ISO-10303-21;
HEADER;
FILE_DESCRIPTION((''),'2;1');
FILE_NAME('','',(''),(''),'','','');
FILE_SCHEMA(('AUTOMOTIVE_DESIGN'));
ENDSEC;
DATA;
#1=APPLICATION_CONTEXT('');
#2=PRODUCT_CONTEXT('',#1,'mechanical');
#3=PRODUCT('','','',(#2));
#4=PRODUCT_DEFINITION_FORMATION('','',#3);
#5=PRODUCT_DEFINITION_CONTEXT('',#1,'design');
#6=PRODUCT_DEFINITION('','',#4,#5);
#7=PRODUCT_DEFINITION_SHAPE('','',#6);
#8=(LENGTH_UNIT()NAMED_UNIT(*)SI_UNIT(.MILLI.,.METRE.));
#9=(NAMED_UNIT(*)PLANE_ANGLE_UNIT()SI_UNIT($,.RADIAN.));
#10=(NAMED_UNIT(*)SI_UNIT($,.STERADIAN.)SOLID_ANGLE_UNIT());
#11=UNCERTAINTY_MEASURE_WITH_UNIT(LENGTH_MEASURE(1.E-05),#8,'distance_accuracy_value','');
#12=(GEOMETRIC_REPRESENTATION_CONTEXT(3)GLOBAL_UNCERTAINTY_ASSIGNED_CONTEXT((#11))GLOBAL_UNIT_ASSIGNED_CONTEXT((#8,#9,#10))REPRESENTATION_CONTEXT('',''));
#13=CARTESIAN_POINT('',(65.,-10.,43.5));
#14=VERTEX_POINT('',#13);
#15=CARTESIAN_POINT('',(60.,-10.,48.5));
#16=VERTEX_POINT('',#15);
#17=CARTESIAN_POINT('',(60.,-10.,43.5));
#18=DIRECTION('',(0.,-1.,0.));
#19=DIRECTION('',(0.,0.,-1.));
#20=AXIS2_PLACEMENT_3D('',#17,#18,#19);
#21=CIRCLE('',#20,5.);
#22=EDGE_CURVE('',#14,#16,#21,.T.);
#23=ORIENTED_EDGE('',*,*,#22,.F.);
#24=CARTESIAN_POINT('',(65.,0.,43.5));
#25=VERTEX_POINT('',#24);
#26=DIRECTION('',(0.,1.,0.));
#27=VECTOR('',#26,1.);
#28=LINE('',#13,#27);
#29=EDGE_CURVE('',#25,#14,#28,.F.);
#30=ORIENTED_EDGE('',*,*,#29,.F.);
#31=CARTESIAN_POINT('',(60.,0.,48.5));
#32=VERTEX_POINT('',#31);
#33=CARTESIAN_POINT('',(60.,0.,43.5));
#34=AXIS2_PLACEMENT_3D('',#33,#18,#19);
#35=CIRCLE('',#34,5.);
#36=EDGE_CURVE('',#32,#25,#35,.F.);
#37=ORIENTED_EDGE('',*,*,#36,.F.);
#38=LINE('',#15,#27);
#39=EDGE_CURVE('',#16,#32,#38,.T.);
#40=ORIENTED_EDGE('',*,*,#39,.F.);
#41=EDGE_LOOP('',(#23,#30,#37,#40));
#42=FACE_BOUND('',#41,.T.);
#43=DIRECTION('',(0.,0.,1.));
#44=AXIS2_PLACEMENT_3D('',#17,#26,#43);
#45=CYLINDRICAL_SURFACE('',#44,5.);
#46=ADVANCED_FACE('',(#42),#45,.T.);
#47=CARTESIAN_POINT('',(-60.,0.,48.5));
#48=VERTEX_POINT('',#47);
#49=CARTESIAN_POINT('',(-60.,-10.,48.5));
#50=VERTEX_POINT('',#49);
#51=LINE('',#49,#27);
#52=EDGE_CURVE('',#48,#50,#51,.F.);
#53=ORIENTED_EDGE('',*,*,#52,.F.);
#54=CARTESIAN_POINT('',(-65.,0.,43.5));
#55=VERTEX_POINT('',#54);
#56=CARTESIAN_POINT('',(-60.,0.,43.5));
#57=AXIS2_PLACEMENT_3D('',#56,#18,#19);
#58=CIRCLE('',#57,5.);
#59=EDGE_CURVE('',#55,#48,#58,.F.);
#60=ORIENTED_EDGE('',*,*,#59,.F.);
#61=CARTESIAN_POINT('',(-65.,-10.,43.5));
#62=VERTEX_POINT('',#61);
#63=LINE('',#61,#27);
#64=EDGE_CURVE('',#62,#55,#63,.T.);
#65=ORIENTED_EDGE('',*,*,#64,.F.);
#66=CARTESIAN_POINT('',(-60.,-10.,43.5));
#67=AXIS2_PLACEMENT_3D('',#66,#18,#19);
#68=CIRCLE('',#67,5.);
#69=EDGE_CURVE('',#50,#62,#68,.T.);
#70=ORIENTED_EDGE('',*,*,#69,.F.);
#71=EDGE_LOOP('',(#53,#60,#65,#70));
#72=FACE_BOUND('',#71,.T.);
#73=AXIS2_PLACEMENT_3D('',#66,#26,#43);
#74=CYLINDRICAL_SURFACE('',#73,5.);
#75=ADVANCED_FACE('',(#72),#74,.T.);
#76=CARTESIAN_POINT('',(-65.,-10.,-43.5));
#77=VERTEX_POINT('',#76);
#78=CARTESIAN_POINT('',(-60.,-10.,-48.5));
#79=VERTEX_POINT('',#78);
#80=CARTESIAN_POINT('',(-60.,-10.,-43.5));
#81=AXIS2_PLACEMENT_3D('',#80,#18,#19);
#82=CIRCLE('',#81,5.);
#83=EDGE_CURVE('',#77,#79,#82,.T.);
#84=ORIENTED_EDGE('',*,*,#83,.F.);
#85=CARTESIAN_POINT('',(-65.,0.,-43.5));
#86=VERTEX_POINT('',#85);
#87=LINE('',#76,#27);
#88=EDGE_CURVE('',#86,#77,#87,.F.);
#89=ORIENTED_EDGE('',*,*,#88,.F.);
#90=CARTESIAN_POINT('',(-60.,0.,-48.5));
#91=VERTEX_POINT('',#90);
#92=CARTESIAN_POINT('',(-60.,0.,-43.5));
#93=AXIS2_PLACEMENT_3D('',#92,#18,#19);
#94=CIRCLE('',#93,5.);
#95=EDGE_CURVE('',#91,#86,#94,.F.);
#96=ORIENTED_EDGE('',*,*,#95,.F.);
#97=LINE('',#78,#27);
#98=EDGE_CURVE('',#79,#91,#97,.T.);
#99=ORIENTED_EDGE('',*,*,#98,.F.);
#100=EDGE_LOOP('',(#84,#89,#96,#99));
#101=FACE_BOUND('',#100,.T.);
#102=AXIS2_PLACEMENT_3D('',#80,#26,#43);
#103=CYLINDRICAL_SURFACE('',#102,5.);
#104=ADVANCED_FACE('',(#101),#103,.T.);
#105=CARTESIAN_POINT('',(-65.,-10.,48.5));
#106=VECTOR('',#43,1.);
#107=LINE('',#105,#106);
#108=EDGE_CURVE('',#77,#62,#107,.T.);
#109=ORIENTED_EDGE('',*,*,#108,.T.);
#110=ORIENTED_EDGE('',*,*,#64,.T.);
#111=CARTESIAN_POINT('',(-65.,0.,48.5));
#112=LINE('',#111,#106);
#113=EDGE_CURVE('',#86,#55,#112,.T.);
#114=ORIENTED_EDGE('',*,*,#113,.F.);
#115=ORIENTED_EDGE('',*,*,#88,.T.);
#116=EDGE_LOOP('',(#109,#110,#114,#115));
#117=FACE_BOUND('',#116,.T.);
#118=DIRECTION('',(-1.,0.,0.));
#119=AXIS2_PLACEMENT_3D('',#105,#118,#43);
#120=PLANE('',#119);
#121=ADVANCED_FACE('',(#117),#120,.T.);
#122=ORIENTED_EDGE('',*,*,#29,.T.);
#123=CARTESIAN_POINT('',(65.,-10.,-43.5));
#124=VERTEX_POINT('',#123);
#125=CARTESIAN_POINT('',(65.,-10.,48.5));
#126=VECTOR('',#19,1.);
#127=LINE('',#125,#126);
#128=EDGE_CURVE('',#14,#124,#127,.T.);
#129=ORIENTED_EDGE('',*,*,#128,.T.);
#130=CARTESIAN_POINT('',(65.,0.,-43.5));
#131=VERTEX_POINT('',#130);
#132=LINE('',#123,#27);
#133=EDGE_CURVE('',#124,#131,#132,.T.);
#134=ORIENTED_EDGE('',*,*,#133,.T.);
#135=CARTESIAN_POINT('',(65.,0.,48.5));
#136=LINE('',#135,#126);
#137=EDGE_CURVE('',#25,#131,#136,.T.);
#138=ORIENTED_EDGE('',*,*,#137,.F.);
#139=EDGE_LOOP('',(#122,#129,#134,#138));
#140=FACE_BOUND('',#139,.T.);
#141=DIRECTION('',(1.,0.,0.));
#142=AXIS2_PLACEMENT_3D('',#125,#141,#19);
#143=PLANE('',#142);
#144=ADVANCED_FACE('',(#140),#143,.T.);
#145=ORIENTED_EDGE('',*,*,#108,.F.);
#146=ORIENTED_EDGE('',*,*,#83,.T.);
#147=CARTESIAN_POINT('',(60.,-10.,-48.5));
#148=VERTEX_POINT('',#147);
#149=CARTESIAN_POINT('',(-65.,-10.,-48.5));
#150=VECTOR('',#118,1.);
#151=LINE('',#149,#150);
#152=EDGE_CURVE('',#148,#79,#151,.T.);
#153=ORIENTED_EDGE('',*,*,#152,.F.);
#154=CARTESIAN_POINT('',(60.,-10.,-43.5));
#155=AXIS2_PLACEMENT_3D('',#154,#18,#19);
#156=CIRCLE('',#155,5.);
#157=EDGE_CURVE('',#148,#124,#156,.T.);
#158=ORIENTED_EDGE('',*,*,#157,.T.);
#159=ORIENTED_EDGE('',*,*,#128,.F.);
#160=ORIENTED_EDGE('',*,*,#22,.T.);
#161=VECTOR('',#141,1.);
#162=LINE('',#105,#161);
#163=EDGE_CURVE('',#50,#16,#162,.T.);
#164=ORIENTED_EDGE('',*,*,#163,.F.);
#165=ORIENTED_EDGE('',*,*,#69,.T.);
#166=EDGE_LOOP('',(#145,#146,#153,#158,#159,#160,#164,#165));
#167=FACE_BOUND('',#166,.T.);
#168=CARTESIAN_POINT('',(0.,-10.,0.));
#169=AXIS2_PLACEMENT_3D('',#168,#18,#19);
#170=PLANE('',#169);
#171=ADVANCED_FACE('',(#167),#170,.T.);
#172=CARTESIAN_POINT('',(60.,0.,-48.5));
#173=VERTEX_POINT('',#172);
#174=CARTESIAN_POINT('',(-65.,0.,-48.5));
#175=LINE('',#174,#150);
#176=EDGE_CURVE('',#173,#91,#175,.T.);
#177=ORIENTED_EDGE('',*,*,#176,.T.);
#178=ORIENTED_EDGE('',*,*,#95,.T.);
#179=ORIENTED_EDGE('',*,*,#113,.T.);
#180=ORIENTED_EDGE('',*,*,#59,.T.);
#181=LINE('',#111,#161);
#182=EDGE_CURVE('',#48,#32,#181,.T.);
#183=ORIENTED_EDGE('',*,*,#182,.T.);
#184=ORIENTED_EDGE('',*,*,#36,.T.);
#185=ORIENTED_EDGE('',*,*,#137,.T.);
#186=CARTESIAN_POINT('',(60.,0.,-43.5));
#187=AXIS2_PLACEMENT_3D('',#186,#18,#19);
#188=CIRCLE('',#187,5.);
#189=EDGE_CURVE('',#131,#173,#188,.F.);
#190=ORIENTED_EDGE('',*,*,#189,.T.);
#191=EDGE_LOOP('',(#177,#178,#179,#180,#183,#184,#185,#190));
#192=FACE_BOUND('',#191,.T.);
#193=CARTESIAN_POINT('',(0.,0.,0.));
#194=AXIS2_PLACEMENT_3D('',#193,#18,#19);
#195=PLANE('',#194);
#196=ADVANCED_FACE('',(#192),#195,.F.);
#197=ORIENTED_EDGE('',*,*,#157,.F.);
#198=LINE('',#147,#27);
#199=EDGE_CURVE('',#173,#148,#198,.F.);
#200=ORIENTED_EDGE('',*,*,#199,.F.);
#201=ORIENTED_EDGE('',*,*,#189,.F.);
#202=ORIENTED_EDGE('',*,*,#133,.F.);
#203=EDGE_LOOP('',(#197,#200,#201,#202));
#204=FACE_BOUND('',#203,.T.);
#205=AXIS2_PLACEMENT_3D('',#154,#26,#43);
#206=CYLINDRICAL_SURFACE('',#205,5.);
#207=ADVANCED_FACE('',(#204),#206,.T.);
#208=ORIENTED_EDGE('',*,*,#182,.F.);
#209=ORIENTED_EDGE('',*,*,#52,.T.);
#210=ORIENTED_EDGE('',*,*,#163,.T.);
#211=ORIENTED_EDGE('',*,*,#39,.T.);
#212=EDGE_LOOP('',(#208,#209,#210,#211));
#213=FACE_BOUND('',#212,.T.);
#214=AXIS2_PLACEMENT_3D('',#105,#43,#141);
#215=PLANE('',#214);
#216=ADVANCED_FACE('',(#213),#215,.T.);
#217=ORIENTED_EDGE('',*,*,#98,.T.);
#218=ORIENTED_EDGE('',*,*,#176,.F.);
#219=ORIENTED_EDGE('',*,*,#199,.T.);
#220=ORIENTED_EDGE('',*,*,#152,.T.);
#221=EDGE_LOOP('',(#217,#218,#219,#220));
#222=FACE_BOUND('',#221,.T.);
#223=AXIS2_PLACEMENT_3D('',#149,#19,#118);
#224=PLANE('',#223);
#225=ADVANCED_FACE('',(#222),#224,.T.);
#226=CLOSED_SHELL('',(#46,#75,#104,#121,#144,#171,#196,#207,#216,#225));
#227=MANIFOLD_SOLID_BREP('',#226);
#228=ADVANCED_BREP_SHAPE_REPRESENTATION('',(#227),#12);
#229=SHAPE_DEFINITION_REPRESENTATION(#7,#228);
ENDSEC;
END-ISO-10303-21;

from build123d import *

# Parameters (mm, degrees)
SKETCH1_W           = 130
SKETCH1_H           = 97
BOSS_EXTRUDE1_DEPTH = 10
FILLET1_R           = 5


with BuildPart() as part:
    # Sketch1 → Boss-Extrude1 (new body)
    with BuildSketch(Plane(origin=(0, 0, 0), x_dir=(1, 0, 0), z_dir=(0, 1, 0))):
        Rectangle(SKETCH1_W, SKETCH1_H)
    extrude(amount=-BOSS_EXTRUDE1_DEPTH)

    # Fillet1
    fillet1_edges = [part.edges().sort_by_distance(p)[0] for p in [
        (65, -5, 48.5),
        (-65, -5, 48.5),
        (-65, -5, -48.5),
        (65, -5, -48.5),
    ]]
    fillet(fillet1_edges, radius=FILLET1_R)


solid = part.part
